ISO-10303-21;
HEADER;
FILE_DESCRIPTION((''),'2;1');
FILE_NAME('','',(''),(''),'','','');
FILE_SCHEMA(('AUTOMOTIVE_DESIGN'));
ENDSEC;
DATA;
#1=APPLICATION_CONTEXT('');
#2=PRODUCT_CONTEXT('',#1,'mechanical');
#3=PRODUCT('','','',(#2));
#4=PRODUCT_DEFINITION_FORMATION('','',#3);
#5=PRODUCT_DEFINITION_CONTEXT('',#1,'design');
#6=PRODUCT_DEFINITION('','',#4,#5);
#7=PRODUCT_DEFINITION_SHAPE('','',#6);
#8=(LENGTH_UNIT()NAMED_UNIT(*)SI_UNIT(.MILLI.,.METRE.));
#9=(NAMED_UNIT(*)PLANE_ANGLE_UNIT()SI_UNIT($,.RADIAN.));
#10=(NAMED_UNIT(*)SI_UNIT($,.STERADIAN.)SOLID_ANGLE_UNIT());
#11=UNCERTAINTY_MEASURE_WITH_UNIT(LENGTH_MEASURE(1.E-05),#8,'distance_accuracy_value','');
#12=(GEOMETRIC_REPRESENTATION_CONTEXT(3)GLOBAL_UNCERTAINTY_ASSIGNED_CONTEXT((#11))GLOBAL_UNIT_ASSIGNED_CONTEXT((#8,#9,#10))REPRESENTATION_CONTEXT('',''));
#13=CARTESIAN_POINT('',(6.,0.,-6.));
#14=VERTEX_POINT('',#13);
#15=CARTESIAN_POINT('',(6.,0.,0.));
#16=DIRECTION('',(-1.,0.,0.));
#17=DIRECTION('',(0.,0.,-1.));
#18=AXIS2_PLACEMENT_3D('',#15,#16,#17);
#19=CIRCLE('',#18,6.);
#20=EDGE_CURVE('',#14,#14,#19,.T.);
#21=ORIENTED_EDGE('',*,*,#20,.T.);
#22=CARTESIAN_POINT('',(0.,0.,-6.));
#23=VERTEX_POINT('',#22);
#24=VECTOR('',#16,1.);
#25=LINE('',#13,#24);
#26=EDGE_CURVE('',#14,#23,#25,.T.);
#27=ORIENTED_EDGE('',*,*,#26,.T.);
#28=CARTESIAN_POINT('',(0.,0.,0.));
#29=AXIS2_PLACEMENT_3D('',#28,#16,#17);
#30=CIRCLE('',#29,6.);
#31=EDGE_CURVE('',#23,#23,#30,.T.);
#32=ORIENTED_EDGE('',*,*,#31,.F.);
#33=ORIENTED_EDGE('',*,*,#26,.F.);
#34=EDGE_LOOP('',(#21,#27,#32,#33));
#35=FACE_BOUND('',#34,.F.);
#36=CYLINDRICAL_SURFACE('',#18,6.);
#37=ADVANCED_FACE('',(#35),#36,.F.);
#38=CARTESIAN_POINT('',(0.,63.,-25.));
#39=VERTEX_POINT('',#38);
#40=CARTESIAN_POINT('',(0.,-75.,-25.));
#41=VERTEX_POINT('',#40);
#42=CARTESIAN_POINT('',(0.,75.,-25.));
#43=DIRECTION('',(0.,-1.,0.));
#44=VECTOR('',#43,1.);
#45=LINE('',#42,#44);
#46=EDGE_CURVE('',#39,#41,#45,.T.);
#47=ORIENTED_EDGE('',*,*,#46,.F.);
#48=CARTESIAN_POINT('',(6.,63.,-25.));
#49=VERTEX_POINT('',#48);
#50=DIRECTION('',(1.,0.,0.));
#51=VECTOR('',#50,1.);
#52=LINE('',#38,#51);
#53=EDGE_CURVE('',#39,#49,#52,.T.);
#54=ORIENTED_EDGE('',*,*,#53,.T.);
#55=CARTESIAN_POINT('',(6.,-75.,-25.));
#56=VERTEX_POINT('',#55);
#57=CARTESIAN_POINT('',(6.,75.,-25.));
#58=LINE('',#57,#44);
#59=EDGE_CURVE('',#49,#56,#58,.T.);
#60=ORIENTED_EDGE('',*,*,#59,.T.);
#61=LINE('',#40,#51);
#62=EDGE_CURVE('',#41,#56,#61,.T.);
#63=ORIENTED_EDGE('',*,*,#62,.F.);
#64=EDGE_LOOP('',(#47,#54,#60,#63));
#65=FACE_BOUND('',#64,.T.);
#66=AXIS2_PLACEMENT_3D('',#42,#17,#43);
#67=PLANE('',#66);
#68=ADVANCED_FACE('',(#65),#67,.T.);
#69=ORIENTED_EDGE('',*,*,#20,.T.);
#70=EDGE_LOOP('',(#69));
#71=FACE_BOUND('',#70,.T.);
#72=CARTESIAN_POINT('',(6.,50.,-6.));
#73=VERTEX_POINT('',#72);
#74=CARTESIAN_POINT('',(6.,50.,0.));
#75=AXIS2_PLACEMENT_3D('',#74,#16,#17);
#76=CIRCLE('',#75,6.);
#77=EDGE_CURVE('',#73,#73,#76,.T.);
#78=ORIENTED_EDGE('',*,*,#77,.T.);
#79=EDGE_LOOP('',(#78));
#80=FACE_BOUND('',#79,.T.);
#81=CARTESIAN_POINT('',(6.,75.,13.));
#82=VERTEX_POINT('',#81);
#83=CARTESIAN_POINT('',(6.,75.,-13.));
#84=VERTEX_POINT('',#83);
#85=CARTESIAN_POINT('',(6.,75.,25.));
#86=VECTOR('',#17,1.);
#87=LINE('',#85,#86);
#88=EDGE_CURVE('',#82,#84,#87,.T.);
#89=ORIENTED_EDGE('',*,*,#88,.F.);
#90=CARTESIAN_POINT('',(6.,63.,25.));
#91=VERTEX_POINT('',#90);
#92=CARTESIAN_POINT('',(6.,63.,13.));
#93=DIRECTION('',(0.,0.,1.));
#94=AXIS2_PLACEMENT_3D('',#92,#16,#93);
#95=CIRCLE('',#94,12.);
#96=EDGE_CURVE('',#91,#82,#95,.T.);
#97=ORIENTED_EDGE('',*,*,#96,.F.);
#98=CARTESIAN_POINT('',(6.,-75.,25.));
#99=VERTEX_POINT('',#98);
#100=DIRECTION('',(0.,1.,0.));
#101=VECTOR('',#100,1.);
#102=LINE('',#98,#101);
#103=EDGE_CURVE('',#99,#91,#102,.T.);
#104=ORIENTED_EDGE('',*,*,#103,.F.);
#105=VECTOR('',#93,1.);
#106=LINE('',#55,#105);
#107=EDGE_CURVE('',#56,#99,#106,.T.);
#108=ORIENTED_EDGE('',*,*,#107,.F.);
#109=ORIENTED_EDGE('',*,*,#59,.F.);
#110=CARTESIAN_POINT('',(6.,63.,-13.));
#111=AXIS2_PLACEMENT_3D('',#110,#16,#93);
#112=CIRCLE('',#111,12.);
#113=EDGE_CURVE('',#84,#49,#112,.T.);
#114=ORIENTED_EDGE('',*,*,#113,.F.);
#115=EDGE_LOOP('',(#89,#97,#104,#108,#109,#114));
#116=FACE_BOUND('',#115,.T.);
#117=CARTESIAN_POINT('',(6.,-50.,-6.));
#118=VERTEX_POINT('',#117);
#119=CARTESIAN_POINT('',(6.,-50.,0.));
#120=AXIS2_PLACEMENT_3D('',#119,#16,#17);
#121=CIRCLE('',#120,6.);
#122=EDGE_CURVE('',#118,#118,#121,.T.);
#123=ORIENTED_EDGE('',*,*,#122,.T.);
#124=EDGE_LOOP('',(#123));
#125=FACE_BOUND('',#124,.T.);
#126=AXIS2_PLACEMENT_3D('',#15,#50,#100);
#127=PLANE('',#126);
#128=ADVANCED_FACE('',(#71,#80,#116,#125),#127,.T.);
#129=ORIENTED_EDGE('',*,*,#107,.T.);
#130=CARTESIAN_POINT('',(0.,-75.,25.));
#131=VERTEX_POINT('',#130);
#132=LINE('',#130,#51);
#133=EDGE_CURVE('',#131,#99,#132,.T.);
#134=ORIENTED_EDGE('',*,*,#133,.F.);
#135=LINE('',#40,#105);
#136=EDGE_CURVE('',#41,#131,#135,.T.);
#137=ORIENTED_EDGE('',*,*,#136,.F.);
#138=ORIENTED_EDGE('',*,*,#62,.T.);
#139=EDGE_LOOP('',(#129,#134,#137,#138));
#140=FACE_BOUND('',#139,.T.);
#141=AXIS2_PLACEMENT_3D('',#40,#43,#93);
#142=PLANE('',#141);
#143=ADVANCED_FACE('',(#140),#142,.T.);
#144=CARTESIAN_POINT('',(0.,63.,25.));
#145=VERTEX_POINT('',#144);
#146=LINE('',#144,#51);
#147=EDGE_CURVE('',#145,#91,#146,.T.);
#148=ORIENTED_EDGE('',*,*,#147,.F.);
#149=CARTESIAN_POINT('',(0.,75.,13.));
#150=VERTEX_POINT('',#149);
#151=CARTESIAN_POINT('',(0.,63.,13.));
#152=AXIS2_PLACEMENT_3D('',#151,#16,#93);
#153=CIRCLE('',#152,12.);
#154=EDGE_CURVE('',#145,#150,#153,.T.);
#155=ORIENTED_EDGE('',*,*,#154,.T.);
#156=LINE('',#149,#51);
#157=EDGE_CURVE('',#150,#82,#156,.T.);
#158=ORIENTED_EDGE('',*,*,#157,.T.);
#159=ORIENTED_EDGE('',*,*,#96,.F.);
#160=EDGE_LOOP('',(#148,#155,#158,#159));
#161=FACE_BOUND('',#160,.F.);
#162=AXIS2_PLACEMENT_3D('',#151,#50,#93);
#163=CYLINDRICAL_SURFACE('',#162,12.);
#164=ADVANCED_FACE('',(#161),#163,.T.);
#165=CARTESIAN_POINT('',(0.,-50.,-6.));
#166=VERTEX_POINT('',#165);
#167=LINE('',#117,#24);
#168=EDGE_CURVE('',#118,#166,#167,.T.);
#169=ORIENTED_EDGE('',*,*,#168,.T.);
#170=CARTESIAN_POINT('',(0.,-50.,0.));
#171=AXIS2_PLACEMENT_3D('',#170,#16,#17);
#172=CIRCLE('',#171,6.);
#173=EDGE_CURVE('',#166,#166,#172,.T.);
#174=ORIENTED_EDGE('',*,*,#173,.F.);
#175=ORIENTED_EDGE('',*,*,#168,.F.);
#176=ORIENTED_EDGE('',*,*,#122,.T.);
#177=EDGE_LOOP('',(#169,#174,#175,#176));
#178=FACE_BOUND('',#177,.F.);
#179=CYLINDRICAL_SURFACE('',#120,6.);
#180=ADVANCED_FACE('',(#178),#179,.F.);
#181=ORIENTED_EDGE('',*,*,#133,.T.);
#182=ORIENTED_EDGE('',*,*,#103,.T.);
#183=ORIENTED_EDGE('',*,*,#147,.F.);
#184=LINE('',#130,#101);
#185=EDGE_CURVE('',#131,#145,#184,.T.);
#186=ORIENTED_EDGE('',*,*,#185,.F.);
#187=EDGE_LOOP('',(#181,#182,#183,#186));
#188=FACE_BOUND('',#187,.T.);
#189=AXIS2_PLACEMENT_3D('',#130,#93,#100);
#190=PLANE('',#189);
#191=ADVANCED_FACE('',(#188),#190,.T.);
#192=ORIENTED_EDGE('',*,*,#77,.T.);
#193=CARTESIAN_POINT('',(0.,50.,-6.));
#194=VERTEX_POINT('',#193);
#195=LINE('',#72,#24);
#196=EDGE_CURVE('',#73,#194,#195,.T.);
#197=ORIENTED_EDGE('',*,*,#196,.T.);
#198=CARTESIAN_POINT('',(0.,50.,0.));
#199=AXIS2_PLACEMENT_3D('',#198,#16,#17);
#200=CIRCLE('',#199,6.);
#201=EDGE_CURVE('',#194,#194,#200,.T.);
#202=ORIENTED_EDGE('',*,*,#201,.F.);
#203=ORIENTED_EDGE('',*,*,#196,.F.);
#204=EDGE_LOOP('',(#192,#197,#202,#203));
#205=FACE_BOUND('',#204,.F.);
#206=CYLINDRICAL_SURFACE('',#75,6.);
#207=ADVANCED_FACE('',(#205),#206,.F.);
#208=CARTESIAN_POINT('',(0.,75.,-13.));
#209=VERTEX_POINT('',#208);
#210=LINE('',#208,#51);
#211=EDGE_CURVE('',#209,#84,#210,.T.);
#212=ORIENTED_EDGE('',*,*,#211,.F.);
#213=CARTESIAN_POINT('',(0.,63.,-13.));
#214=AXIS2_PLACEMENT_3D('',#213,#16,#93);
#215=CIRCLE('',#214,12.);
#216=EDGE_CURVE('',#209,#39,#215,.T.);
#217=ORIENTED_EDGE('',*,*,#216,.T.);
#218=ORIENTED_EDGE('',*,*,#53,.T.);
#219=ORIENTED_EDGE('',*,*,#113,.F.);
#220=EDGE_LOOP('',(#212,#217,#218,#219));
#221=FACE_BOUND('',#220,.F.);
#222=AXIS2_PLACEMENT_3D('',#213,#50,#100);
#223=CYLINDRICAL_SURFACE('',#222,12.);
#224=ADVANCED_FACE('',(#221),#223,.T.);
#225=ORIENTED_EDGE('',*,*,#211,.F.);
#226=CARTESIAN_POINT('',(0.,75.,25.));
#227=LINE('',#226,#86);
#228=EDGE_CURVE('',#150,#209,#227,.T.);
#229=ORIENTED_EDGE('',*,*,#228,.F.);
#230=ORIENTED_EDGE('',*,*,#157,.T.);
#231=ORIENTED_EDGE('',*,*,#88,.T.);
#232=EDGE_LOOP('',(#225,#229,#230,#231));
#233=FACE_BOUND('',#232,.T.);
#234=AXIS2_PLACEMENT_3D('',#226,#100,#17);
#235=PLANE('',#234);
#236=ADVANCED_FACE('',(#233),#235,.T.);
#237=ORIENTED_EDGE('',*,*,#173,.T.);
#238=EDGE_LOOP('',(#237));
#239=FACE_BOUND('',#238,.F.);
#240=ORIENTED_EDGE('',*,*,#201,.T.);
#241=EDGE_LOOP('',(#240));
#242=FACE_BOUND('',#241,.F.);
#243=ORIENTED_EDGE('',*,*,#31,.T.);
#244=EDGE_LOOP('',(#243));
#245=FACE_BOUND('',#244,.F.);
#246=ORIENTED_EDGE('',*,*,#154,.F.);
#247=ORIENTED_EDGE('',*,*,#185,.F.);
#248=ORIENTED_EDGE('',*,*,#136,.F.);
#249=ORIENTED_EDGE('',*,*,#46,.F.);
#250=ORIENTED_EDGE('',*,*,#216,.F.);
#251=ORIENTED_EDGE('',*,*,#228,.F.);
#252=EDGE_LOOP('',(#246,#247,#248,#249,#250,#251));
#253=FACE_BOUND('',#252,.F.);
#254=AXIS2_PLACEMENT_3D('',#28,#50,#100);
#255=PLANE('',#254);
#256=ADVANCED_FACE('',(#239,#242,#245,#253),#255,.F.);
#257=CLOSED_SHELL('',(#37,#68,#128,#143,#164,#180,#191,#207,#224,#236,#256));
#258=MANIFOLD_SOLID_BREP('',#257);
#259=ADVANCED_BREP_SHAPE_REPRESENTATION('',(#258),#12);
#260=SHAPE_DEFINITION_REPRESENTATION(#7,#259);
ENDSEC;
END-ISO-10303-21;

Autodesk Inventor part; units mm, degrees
ref_plane "YZ Plane" through (0, 0, 0) normal (1, 0, 0) x (0, 1, 0)
ref_plane "XZ Plane" through (0, 0, 0) normal (0, 1, 0) x (-1, 0, 0)
ref_plane "XY Plane" through (0, 0, 0) normal (0, 0, 1) x (1, 0, 0)
sketch "Sketch1" plane through (0, 0, 0) normal (1, 0, 0) x (0, 1, 0)
  line L0 (-75, 25) -> (75, 25)
  line L1 (75, 25) -> (75, -25)
  line L2 (75, -25) -> (-75, -25)
  line L3 (-75, -25) -> (-75, 25)
  point P0 (0, 0)
  dimension "d0" = 150
  dimension "d1" = 50
  dimension "d2" = 25
  dimension "d3" = 75
extrude "Extrusion1" add sketch "Sketch1" along normal blind 6
sketch "Sketch2" plane through (6, 0, 0) normal (1, 0, 0) x (0, 0, -1)
  point P0 (0, 0)
  point P1 (0, 0)
  point P2 (0, 50)
  point P3 (0, -50)
  dimension "d15" = 50
  dimension "d16" = 50
hole "Hole2" at (6, 0, 0) at (6, 50, 0) at (6, -50, 0) direction (-1, 0, 0) diameter 12 end through all
fillet "Fillet3" radius 12 2 edges at (3, 75, 25) (3, 75, -25)
equation "\"d0\" = 3 * hoop_tabs_width"
equation "\"d1\" = hoop_tabs_width"
equation "\"d2\" = 0.5 * d1"
equation "\"d3\" = 0.5 * d0"
equation "\"d4\" = hoop_tabs_thickness"
equation "\"d15\" = hoop_tabs_width"
equation "\"d16\" = hoop_tabs_width"
equation "\"d17\" = hoop_tabs_hole"
equation "\"d24\" = hoop_tabs_hole"
equation "\"hoop_tabs_width\" = 50"
equation "\"hoop_tabs_thickness\" = 6"
equation "\"hoop_tabs_hole\" = 12"
equation "\"hoop_angle_z\" = 45deg"
equation "\"hoop_bearing_length\" = 5deg"
equation "\"hoop_cable_diam\" = 5"
equation "\"hoop_cable_pulley_diam\" = 22"
equation "\"hoop_thickness_large\" = 4"
equation "\"hoop_thickness_medium\" = 3.2"
equation "\"hoop_thickness_small\" = 2"
equation "\"hoop_width_large\" = 51"
equation "\"hoop_width_medium\" = 33.7"
equation "\"hoop_width_small\" = 25.4"
equation "\"rack_tooth_addendum\" = 5"
equation "\"rack_tooth_dedendum\" = 5"
equation "\"rack_tooth_thickness\" = 5"
equation "\"secure_arm_angle\" = 35deg"
equation "\"secure_arm_radii\" = 9"
equation "\"support_baseClamp_platformLengthBuffer\" = 35"
equation "\"support_baseClamp_platformThickness\" = 15"
equation "\"support_baseClamp_platformWidthBuffer\" = 0"
equation "\"support_baseClamp_sleeveHoleDiameter\" = 12"
equation "\"support_baseClamp_sleeveSweepTerminationAngle\" = 55deg"
equation "\"support_baseClamp_thickness\" = 8"
equation "\"support_frame_endHoleBuffer\" = 45"
equation "\"support_frame_squareBarFillet\" = 2"
equation "\"support_frame_squareBarThickness\" = 5"
equation "\"wheelchair_deployed_width\" = 635"
equation "\"wheelchair_deployed_length\" = 1067"
equation "\"wheelchair_deployed_height\" = 914"
equation "\"sm_varx_squareBarThickness\" = 2.5"
equation "\"sm_varx_pinPlate_thickness\" = 5"
equation "\"sm_varx_pinPlate_holeDiameter\" = 5"
equation "\"sm_varx_member_tolerance\" = 0"
equation "\"hoop_bushing23_radialInterference\" = 0"
equation "\"hoop_bushing12_radialInterference\" = 0"
equation "\"hoop_bushing23_od\" = -2 * hoop_thickness_medium + hoop_width_medium + hoop_bushing23_radialInterference"
equation "\"hoop_bushing12_od\" = -2 * hoop_thickness_large + hoop_width_large + hoop_bushing12_radialInterference"
equation "\"wheelchatir_pos_deploy_angle_0\" = 65deg"
equation "\"wheelchatir_pos_store_angle_0\" = 90deg"
equation "\"wheelchatir_pos_deploy_angle_1\" = 20deg"
equation "\"wheelchatir_pos_store_angle_1\" = 20deg"
equation "\"hoop_bushing12_thickness\" = -hoop_width_medium + hoop_bushing12_od - 2 * hoop_bushing12_radialInterference"
equation "\"hoop_bushing23_thickness\" = -hoop_width_small + hoop_bushing23_od - 2 * hoop_bushing23_radialInterference"
properties part number "hoop_tab" material "Steel, Mild"
